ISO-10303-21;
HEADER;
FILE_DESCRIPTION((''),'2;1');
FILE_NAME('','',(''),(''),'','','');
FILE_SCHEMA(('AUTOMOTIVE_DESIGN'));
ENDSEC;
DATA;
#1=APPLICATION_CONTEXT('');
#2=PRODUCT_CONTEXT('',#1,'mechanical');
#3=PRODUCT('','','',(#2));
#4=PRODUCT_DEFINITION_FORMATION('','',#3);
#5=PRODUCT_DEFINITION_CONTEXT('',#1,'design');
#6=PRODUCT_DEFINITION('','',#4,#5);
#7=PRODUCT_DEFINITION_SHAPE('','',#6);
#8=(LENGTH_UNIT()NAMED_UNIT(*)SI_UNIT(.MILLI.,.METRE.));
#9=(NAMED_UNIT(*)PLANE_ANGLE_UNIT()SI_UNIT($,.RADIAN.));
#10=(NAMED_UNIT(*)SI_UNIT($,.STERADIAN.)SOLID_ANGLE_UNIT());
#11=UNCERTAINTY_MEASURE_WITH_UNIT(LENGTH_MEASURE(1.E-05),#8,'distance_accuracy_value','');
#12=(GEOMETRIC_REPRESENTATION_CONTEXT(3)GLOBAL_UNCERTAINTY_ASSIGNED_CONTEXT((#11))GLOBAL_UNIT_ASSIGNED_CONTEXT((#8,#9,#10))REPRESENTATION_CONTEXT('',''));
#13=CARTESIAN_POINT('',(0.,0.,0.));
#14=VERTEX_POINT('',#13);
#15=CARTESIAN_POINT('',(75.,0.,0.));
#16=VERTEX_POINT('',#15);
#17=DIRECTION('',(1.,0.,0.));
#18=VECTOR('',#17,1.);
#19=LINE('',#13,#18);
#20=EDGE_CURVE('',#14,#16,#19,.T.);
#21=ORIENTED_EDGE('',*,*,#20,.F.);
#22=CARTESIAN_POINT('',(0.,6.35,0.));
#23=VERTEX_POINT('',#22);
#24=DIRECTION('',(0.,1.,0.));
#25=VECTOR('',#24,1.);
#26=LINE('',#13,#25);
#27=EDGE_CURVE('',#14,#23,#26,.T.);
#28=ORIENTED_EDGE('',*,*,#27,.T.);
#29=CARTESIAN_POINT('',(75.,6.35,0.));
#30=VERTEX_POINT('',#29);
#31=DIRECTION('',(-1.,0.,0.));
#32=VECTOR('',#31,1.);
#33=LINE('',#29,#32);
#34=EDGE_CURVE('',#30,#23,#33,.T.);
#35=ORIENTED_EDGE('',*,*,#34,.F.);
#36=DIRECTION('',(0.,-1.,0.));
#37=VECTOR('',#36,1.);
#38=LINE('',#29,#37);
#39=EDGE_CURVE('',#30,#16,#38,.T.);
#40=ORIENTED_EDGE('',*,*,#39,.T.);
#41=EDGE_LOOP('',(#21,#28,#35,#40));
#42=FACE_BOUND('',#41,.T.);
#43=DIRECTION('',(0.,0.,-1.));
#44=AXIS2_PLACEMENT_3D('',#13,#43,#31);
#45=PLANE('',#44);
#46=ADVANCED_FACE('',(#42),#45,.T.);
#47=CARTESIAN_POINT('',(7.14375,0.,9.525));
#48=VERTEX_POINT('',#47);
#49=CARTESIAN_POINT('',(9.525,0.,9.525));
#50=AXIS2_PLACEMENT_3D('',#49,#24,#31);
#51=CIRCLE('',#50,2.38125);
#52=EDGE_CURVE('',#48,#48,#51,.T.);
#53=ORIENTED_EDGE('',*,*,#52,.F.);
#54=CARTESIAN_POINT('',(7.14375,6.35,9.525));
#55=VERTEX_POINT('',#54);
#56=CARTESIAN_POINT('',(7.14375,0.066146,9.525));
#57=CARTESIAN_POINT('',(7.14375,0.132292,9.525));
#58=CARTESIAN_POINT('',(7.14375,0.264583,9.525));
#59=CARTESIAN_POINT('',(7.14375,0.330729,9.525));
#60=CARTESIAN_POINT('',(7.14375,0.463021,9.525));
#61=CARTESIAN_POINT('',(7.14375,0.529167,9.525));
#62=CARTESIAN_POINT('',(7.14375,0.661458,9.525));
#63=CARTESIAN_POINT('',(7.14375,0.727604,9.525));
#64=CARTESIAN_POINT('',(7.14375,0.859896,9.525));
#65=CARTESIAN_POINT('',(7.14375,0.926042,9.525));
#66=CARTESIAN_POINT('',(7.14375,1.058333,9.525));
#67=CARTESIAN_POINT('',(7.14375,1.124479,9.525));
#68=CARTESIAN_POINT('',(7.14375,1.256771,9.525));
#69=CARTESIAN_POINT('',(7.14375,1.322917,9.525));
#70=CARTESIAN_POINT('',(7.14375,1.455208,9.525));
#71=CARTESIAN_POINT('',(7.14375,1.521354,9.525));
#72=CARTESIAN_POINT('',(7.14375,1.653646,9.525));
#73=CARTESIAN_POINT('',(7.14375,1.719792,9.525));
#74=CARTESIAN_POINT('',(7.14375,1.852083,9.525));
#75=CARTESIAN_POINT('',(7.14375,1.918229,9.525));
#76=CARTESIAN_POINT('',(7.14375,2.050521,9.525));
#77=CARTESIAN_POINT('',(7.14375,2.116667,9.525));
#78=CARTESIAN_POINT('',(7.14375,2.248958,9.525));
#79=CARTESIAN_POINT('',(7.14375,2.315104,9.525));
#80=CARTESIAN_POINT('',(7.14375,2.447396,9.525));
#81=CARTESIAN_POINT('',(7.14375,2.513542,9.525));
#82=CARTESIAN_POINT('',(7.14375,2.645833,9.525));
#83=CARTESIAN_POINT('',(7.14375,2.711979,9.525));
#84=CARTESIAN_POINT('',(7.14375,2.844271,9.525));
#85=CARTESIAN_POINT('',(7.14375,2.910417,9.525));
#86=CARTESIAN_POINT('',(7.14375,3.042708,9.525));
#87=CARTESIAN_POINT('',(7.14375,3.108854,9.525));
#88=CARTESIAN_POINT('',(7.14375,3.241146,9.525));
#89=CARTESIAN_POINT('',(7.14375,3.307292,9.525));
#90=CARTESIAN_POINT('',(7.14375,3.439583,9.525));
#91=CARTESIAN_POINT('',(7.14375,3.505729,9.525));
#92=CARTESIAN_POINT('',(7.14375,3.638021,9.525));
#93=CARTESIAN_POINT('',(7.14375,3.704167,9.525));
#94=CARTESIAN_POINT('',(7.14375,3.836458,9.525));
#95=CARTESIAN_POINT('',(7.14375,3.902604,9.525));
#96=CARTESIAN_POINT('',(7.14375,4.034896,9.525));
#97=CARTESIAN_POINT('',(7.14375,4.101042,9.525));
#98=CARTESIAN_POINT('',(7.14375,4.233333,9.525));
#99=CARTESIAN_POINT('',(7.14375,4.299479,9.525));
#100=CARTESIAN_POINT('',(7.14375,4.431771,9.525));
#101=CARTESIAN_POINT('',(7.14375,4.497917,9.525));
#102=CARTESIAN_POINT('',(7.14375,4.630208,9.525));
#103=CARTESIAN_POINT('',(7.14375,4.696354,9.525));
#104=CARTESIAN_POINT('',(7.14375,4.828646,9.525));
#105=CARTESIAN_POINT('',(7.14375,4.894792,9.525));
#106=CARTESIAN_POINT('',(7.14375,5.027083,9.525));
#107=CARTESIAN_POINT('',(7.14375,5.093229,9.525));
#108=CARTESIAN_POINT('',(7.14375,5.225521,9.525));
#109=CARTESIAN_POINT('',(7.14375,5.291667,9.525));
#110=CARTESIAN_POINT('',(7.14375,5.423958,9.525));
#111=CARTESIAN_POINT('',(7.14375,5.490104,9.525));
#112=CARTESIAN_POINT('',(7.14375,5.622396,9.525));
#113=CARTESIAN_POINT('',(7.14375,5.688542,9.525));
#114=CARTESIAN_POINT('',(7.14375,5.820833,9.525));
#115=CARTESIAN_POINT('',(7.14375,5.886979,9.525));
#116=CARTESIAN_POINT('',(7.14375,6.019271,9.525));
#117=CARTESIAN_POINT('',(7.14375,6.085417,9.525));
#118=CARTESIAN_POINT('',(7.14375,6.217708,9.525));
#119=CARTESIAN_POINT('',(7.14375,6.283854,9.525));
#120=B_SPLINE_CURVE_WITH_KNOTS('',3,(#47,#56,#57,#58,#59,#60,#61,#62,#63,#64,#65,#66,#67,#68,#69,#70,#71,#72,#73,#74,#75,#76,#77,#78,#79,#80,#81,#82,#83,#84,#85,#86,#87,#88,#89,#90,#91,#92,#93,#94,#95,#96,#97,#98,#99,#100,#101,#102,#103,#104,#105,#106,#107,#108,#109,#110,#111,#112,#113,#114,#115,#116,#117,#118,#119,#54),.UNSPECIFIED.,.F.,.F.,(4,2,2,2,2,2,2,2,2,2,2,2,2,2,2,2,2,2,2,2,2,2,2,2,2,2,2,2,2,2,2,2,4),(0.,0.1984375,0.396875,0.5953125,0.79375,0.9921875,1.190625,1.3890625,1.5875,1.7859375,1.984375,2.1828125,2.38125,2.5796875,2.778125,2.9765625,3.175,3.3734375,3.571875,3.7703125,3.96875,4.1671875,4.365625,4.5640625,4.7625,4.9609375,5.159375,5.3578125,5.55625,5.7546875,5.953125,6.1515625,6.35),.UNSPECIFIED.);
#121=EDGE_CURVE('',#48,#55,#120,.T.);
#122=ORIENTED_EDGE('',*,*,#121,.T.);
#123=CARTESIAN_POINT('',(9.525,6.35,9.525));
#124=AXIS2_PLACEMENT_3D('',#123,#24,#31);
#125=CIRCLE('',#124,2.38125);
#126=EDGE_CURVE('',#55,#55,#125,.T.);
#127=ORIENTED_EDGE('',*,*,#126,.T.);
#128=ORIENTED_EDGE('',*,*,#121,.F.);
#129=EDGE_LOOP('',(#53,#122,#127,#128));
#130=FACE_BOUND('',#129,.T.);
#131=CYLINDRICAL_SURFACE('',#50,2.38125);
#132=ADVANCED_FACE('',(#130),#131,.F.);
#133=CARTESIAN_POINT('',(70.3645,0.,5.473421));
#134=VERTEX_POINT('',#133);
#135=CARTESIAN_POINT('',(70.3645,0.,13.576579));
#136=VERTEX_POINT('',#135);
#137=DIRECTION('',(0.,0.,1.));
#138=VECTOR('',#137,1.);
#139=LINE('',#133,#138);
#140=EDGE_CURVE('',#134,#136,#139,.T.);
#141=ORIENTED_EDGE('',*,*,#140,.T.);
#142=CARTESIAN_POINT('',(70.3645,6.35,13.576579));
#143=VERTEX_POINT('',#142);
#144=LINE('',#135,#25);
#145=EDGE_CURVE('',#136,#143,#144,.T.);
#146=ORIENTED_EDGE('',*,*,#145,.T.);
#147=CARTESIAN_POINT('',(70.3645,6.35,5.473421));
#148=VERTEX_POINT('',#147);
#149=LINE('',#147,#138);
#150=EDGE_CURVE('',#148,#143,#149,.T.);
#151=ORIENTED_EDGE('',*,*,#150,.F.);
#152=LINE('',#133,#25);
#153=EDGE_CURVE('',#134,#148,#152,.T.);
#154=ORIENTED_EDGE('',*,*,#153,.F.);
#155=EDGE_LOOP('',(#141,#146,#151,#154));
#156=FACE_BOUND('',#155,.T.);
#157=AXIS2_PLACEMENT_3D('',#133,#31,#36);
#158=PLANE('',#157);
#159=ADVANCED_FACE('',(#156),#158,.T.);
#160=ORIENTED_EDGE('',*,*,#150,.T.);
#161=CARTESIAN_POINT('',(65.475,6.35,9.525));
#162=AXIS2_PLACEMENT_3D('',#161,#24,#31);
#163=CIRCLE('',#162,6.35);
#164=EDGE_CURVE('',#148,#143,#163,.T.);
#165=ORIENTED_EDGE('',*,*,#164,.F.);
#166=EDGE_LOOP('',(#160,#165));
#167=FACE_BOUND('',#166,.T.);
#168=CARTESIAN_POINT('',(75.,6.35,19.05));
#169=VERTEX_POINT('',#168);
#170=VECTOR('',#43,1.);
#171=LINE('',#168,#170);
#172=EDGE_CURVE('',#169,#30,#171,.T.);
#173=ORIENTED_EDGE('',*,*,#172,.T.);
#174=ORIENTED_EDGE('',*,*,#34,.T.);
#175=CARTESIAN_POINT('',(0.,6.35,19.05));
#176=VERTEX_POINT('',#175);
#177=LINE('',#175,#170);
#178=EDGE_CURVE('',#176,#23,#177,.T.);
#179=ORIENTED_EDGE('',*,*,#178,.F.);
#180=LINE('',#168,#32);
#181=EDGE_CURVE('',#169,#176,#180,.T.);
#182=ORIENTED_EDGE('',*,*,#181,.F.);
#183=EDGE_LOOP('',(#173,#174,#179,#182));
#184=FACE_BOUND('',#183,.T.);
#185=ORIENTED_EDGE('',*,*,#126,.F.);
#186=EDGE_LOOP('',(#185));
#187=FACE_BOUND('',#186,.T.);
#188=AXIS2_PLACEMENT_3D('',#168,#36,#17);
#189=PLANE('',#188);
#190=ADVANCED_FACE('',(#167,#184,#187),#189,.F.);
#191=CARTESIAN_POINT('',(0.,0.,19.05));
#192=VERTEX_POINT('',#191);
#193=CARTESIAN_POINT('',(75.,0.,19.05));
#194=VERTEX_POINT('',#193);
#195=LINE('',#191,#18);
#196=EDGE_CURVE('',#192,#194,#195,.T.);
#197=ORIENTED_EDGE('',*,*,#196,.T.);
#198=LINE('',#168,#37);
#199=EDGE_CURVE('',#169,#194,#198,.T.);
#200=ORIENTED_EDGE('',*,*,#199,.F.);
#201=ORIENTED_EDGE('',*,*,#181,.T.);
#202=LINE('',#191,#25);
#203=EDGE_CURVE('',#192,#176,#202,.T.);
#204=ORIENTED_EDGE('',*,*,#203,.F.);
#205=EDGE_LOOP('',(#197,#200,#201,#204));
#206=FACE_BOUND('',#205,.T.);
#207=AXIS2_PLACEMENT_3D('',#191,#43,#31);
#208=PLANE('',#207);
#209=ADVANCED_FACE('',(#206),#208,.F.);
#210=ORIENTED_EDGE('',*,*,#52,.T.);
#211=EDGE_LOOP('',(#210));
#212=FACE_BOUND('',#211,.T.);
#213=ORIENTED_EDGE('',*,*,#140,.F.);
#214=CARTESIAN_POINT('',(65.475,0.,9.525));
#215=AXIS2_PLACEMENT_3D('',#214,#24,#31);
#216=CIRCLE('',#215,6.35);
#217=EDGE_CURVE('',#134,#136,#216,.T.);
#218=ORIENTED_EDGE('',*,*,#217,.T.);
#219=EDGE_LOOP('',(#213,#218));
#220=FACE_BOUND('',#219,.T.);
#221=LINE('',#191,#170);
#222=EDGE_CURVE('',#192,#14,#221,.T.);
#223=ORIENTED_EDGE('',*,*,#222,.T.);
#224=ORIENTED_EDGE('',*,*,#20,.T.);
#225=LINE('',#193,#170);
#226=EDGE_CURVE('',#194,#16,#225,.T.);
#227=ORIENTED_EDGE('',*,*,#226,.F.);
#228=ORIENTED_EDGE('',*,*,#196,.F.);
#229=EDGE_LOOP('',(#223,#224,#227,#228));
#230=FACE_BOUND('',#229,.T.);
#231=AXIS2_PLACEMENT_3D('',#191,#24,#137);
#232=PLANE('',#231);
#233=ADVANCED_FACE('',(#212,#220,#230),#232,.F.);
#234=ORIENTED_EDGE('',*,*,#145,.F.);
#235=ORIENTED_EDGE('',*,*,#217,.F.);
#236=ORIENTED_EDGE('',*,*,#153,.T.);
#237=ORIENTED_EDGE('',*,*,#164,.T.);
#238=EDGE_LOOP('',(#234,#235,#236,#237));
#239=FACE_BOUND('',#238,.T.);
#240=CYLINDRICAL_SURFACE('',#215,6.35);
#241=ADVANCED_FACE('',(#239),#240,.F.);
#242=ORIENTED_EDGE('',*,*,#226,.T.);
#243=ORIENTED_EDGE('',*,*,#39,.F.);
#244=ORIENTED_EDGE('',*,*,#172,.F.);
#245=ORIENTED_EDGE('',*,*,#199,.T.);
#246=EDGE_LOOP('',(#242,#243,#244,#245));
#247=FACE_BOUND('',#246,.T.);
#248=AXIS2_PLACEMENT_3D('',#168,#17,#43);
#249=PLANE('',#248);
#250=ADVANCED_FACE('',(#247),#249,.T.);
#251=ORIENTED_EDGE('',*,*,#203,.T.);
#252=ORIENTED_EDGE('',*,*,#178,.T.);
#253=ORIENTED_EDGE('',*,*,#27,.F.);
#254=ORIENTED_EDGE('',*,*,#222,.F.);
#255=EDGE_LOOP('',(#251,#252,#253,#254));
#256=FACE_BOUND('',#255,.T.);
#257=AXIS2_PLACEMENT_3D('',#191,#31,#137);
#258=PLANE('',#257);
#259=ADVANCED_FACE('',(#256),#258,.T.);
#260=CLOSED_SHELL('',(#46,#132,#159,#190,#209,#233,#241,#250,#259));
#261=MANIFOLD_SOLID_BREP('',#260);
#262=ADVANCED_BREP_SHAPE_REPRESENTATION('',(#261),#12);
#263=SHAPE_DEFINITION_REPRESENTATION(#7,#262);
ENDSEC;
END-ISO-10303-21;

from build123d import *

# Parameters (mm, degrees)
SKETCH1_W          = 75
SKETCH1_H          = 6.35
BASE_EXTRUDE_DEPTH = 19.05
CUT_EXTRUDE1_DEPTH = 78.641644753
SKETCH3_R          = 2.38125
CUT_EXTRUDE2_DEPTH = 78.641644753


with BuildPart() as part:
    # Sketch1 → Base-Extrude (new body)
    with BuildSketch(Plane.XY):
        with Locations((37.5, 3.175)):
            Rectangle(SKETCH1_W, SKETCH1_H)
    extrude(amount=BASE_EXTRUDE_DEPTH)

    # Sketch2 → Cut-Extrude1 (cut, through all)
    with BuildSketch(Plane(origin=(0, 6.35, 0), x_dir=(-1, 0, 0), z_dir=(0, 1, 0))):
        with BuildLine():
            Line((-70.3645, 5.473421326), (-70.3645, 13.576578674))
            ThreePointArc((-70.3645, 13.576578674), (-59.125, 9.525), (-70.3645, 5.473421326))
        make_face()
    extrude(amount=-CUT_EXTRUDE1_DEPTH, mode=Mode.SUBTRACT)

    # Sketch3 → Cut-Extrude2 (cut, through all)
    with BuildSketch(Plane(origin=(0, 6.35, 0), x_dir=(-1, 0, 0), z_dir=(0, 1, 0))):
        with Locations((-9.525, 9.525)):
            Circle(SKETCH3_R)
    extrude(amount=-CUT_EXTRUDE2_DEPTH, mode=Mode.SUBTRACT)


solid = part.part
